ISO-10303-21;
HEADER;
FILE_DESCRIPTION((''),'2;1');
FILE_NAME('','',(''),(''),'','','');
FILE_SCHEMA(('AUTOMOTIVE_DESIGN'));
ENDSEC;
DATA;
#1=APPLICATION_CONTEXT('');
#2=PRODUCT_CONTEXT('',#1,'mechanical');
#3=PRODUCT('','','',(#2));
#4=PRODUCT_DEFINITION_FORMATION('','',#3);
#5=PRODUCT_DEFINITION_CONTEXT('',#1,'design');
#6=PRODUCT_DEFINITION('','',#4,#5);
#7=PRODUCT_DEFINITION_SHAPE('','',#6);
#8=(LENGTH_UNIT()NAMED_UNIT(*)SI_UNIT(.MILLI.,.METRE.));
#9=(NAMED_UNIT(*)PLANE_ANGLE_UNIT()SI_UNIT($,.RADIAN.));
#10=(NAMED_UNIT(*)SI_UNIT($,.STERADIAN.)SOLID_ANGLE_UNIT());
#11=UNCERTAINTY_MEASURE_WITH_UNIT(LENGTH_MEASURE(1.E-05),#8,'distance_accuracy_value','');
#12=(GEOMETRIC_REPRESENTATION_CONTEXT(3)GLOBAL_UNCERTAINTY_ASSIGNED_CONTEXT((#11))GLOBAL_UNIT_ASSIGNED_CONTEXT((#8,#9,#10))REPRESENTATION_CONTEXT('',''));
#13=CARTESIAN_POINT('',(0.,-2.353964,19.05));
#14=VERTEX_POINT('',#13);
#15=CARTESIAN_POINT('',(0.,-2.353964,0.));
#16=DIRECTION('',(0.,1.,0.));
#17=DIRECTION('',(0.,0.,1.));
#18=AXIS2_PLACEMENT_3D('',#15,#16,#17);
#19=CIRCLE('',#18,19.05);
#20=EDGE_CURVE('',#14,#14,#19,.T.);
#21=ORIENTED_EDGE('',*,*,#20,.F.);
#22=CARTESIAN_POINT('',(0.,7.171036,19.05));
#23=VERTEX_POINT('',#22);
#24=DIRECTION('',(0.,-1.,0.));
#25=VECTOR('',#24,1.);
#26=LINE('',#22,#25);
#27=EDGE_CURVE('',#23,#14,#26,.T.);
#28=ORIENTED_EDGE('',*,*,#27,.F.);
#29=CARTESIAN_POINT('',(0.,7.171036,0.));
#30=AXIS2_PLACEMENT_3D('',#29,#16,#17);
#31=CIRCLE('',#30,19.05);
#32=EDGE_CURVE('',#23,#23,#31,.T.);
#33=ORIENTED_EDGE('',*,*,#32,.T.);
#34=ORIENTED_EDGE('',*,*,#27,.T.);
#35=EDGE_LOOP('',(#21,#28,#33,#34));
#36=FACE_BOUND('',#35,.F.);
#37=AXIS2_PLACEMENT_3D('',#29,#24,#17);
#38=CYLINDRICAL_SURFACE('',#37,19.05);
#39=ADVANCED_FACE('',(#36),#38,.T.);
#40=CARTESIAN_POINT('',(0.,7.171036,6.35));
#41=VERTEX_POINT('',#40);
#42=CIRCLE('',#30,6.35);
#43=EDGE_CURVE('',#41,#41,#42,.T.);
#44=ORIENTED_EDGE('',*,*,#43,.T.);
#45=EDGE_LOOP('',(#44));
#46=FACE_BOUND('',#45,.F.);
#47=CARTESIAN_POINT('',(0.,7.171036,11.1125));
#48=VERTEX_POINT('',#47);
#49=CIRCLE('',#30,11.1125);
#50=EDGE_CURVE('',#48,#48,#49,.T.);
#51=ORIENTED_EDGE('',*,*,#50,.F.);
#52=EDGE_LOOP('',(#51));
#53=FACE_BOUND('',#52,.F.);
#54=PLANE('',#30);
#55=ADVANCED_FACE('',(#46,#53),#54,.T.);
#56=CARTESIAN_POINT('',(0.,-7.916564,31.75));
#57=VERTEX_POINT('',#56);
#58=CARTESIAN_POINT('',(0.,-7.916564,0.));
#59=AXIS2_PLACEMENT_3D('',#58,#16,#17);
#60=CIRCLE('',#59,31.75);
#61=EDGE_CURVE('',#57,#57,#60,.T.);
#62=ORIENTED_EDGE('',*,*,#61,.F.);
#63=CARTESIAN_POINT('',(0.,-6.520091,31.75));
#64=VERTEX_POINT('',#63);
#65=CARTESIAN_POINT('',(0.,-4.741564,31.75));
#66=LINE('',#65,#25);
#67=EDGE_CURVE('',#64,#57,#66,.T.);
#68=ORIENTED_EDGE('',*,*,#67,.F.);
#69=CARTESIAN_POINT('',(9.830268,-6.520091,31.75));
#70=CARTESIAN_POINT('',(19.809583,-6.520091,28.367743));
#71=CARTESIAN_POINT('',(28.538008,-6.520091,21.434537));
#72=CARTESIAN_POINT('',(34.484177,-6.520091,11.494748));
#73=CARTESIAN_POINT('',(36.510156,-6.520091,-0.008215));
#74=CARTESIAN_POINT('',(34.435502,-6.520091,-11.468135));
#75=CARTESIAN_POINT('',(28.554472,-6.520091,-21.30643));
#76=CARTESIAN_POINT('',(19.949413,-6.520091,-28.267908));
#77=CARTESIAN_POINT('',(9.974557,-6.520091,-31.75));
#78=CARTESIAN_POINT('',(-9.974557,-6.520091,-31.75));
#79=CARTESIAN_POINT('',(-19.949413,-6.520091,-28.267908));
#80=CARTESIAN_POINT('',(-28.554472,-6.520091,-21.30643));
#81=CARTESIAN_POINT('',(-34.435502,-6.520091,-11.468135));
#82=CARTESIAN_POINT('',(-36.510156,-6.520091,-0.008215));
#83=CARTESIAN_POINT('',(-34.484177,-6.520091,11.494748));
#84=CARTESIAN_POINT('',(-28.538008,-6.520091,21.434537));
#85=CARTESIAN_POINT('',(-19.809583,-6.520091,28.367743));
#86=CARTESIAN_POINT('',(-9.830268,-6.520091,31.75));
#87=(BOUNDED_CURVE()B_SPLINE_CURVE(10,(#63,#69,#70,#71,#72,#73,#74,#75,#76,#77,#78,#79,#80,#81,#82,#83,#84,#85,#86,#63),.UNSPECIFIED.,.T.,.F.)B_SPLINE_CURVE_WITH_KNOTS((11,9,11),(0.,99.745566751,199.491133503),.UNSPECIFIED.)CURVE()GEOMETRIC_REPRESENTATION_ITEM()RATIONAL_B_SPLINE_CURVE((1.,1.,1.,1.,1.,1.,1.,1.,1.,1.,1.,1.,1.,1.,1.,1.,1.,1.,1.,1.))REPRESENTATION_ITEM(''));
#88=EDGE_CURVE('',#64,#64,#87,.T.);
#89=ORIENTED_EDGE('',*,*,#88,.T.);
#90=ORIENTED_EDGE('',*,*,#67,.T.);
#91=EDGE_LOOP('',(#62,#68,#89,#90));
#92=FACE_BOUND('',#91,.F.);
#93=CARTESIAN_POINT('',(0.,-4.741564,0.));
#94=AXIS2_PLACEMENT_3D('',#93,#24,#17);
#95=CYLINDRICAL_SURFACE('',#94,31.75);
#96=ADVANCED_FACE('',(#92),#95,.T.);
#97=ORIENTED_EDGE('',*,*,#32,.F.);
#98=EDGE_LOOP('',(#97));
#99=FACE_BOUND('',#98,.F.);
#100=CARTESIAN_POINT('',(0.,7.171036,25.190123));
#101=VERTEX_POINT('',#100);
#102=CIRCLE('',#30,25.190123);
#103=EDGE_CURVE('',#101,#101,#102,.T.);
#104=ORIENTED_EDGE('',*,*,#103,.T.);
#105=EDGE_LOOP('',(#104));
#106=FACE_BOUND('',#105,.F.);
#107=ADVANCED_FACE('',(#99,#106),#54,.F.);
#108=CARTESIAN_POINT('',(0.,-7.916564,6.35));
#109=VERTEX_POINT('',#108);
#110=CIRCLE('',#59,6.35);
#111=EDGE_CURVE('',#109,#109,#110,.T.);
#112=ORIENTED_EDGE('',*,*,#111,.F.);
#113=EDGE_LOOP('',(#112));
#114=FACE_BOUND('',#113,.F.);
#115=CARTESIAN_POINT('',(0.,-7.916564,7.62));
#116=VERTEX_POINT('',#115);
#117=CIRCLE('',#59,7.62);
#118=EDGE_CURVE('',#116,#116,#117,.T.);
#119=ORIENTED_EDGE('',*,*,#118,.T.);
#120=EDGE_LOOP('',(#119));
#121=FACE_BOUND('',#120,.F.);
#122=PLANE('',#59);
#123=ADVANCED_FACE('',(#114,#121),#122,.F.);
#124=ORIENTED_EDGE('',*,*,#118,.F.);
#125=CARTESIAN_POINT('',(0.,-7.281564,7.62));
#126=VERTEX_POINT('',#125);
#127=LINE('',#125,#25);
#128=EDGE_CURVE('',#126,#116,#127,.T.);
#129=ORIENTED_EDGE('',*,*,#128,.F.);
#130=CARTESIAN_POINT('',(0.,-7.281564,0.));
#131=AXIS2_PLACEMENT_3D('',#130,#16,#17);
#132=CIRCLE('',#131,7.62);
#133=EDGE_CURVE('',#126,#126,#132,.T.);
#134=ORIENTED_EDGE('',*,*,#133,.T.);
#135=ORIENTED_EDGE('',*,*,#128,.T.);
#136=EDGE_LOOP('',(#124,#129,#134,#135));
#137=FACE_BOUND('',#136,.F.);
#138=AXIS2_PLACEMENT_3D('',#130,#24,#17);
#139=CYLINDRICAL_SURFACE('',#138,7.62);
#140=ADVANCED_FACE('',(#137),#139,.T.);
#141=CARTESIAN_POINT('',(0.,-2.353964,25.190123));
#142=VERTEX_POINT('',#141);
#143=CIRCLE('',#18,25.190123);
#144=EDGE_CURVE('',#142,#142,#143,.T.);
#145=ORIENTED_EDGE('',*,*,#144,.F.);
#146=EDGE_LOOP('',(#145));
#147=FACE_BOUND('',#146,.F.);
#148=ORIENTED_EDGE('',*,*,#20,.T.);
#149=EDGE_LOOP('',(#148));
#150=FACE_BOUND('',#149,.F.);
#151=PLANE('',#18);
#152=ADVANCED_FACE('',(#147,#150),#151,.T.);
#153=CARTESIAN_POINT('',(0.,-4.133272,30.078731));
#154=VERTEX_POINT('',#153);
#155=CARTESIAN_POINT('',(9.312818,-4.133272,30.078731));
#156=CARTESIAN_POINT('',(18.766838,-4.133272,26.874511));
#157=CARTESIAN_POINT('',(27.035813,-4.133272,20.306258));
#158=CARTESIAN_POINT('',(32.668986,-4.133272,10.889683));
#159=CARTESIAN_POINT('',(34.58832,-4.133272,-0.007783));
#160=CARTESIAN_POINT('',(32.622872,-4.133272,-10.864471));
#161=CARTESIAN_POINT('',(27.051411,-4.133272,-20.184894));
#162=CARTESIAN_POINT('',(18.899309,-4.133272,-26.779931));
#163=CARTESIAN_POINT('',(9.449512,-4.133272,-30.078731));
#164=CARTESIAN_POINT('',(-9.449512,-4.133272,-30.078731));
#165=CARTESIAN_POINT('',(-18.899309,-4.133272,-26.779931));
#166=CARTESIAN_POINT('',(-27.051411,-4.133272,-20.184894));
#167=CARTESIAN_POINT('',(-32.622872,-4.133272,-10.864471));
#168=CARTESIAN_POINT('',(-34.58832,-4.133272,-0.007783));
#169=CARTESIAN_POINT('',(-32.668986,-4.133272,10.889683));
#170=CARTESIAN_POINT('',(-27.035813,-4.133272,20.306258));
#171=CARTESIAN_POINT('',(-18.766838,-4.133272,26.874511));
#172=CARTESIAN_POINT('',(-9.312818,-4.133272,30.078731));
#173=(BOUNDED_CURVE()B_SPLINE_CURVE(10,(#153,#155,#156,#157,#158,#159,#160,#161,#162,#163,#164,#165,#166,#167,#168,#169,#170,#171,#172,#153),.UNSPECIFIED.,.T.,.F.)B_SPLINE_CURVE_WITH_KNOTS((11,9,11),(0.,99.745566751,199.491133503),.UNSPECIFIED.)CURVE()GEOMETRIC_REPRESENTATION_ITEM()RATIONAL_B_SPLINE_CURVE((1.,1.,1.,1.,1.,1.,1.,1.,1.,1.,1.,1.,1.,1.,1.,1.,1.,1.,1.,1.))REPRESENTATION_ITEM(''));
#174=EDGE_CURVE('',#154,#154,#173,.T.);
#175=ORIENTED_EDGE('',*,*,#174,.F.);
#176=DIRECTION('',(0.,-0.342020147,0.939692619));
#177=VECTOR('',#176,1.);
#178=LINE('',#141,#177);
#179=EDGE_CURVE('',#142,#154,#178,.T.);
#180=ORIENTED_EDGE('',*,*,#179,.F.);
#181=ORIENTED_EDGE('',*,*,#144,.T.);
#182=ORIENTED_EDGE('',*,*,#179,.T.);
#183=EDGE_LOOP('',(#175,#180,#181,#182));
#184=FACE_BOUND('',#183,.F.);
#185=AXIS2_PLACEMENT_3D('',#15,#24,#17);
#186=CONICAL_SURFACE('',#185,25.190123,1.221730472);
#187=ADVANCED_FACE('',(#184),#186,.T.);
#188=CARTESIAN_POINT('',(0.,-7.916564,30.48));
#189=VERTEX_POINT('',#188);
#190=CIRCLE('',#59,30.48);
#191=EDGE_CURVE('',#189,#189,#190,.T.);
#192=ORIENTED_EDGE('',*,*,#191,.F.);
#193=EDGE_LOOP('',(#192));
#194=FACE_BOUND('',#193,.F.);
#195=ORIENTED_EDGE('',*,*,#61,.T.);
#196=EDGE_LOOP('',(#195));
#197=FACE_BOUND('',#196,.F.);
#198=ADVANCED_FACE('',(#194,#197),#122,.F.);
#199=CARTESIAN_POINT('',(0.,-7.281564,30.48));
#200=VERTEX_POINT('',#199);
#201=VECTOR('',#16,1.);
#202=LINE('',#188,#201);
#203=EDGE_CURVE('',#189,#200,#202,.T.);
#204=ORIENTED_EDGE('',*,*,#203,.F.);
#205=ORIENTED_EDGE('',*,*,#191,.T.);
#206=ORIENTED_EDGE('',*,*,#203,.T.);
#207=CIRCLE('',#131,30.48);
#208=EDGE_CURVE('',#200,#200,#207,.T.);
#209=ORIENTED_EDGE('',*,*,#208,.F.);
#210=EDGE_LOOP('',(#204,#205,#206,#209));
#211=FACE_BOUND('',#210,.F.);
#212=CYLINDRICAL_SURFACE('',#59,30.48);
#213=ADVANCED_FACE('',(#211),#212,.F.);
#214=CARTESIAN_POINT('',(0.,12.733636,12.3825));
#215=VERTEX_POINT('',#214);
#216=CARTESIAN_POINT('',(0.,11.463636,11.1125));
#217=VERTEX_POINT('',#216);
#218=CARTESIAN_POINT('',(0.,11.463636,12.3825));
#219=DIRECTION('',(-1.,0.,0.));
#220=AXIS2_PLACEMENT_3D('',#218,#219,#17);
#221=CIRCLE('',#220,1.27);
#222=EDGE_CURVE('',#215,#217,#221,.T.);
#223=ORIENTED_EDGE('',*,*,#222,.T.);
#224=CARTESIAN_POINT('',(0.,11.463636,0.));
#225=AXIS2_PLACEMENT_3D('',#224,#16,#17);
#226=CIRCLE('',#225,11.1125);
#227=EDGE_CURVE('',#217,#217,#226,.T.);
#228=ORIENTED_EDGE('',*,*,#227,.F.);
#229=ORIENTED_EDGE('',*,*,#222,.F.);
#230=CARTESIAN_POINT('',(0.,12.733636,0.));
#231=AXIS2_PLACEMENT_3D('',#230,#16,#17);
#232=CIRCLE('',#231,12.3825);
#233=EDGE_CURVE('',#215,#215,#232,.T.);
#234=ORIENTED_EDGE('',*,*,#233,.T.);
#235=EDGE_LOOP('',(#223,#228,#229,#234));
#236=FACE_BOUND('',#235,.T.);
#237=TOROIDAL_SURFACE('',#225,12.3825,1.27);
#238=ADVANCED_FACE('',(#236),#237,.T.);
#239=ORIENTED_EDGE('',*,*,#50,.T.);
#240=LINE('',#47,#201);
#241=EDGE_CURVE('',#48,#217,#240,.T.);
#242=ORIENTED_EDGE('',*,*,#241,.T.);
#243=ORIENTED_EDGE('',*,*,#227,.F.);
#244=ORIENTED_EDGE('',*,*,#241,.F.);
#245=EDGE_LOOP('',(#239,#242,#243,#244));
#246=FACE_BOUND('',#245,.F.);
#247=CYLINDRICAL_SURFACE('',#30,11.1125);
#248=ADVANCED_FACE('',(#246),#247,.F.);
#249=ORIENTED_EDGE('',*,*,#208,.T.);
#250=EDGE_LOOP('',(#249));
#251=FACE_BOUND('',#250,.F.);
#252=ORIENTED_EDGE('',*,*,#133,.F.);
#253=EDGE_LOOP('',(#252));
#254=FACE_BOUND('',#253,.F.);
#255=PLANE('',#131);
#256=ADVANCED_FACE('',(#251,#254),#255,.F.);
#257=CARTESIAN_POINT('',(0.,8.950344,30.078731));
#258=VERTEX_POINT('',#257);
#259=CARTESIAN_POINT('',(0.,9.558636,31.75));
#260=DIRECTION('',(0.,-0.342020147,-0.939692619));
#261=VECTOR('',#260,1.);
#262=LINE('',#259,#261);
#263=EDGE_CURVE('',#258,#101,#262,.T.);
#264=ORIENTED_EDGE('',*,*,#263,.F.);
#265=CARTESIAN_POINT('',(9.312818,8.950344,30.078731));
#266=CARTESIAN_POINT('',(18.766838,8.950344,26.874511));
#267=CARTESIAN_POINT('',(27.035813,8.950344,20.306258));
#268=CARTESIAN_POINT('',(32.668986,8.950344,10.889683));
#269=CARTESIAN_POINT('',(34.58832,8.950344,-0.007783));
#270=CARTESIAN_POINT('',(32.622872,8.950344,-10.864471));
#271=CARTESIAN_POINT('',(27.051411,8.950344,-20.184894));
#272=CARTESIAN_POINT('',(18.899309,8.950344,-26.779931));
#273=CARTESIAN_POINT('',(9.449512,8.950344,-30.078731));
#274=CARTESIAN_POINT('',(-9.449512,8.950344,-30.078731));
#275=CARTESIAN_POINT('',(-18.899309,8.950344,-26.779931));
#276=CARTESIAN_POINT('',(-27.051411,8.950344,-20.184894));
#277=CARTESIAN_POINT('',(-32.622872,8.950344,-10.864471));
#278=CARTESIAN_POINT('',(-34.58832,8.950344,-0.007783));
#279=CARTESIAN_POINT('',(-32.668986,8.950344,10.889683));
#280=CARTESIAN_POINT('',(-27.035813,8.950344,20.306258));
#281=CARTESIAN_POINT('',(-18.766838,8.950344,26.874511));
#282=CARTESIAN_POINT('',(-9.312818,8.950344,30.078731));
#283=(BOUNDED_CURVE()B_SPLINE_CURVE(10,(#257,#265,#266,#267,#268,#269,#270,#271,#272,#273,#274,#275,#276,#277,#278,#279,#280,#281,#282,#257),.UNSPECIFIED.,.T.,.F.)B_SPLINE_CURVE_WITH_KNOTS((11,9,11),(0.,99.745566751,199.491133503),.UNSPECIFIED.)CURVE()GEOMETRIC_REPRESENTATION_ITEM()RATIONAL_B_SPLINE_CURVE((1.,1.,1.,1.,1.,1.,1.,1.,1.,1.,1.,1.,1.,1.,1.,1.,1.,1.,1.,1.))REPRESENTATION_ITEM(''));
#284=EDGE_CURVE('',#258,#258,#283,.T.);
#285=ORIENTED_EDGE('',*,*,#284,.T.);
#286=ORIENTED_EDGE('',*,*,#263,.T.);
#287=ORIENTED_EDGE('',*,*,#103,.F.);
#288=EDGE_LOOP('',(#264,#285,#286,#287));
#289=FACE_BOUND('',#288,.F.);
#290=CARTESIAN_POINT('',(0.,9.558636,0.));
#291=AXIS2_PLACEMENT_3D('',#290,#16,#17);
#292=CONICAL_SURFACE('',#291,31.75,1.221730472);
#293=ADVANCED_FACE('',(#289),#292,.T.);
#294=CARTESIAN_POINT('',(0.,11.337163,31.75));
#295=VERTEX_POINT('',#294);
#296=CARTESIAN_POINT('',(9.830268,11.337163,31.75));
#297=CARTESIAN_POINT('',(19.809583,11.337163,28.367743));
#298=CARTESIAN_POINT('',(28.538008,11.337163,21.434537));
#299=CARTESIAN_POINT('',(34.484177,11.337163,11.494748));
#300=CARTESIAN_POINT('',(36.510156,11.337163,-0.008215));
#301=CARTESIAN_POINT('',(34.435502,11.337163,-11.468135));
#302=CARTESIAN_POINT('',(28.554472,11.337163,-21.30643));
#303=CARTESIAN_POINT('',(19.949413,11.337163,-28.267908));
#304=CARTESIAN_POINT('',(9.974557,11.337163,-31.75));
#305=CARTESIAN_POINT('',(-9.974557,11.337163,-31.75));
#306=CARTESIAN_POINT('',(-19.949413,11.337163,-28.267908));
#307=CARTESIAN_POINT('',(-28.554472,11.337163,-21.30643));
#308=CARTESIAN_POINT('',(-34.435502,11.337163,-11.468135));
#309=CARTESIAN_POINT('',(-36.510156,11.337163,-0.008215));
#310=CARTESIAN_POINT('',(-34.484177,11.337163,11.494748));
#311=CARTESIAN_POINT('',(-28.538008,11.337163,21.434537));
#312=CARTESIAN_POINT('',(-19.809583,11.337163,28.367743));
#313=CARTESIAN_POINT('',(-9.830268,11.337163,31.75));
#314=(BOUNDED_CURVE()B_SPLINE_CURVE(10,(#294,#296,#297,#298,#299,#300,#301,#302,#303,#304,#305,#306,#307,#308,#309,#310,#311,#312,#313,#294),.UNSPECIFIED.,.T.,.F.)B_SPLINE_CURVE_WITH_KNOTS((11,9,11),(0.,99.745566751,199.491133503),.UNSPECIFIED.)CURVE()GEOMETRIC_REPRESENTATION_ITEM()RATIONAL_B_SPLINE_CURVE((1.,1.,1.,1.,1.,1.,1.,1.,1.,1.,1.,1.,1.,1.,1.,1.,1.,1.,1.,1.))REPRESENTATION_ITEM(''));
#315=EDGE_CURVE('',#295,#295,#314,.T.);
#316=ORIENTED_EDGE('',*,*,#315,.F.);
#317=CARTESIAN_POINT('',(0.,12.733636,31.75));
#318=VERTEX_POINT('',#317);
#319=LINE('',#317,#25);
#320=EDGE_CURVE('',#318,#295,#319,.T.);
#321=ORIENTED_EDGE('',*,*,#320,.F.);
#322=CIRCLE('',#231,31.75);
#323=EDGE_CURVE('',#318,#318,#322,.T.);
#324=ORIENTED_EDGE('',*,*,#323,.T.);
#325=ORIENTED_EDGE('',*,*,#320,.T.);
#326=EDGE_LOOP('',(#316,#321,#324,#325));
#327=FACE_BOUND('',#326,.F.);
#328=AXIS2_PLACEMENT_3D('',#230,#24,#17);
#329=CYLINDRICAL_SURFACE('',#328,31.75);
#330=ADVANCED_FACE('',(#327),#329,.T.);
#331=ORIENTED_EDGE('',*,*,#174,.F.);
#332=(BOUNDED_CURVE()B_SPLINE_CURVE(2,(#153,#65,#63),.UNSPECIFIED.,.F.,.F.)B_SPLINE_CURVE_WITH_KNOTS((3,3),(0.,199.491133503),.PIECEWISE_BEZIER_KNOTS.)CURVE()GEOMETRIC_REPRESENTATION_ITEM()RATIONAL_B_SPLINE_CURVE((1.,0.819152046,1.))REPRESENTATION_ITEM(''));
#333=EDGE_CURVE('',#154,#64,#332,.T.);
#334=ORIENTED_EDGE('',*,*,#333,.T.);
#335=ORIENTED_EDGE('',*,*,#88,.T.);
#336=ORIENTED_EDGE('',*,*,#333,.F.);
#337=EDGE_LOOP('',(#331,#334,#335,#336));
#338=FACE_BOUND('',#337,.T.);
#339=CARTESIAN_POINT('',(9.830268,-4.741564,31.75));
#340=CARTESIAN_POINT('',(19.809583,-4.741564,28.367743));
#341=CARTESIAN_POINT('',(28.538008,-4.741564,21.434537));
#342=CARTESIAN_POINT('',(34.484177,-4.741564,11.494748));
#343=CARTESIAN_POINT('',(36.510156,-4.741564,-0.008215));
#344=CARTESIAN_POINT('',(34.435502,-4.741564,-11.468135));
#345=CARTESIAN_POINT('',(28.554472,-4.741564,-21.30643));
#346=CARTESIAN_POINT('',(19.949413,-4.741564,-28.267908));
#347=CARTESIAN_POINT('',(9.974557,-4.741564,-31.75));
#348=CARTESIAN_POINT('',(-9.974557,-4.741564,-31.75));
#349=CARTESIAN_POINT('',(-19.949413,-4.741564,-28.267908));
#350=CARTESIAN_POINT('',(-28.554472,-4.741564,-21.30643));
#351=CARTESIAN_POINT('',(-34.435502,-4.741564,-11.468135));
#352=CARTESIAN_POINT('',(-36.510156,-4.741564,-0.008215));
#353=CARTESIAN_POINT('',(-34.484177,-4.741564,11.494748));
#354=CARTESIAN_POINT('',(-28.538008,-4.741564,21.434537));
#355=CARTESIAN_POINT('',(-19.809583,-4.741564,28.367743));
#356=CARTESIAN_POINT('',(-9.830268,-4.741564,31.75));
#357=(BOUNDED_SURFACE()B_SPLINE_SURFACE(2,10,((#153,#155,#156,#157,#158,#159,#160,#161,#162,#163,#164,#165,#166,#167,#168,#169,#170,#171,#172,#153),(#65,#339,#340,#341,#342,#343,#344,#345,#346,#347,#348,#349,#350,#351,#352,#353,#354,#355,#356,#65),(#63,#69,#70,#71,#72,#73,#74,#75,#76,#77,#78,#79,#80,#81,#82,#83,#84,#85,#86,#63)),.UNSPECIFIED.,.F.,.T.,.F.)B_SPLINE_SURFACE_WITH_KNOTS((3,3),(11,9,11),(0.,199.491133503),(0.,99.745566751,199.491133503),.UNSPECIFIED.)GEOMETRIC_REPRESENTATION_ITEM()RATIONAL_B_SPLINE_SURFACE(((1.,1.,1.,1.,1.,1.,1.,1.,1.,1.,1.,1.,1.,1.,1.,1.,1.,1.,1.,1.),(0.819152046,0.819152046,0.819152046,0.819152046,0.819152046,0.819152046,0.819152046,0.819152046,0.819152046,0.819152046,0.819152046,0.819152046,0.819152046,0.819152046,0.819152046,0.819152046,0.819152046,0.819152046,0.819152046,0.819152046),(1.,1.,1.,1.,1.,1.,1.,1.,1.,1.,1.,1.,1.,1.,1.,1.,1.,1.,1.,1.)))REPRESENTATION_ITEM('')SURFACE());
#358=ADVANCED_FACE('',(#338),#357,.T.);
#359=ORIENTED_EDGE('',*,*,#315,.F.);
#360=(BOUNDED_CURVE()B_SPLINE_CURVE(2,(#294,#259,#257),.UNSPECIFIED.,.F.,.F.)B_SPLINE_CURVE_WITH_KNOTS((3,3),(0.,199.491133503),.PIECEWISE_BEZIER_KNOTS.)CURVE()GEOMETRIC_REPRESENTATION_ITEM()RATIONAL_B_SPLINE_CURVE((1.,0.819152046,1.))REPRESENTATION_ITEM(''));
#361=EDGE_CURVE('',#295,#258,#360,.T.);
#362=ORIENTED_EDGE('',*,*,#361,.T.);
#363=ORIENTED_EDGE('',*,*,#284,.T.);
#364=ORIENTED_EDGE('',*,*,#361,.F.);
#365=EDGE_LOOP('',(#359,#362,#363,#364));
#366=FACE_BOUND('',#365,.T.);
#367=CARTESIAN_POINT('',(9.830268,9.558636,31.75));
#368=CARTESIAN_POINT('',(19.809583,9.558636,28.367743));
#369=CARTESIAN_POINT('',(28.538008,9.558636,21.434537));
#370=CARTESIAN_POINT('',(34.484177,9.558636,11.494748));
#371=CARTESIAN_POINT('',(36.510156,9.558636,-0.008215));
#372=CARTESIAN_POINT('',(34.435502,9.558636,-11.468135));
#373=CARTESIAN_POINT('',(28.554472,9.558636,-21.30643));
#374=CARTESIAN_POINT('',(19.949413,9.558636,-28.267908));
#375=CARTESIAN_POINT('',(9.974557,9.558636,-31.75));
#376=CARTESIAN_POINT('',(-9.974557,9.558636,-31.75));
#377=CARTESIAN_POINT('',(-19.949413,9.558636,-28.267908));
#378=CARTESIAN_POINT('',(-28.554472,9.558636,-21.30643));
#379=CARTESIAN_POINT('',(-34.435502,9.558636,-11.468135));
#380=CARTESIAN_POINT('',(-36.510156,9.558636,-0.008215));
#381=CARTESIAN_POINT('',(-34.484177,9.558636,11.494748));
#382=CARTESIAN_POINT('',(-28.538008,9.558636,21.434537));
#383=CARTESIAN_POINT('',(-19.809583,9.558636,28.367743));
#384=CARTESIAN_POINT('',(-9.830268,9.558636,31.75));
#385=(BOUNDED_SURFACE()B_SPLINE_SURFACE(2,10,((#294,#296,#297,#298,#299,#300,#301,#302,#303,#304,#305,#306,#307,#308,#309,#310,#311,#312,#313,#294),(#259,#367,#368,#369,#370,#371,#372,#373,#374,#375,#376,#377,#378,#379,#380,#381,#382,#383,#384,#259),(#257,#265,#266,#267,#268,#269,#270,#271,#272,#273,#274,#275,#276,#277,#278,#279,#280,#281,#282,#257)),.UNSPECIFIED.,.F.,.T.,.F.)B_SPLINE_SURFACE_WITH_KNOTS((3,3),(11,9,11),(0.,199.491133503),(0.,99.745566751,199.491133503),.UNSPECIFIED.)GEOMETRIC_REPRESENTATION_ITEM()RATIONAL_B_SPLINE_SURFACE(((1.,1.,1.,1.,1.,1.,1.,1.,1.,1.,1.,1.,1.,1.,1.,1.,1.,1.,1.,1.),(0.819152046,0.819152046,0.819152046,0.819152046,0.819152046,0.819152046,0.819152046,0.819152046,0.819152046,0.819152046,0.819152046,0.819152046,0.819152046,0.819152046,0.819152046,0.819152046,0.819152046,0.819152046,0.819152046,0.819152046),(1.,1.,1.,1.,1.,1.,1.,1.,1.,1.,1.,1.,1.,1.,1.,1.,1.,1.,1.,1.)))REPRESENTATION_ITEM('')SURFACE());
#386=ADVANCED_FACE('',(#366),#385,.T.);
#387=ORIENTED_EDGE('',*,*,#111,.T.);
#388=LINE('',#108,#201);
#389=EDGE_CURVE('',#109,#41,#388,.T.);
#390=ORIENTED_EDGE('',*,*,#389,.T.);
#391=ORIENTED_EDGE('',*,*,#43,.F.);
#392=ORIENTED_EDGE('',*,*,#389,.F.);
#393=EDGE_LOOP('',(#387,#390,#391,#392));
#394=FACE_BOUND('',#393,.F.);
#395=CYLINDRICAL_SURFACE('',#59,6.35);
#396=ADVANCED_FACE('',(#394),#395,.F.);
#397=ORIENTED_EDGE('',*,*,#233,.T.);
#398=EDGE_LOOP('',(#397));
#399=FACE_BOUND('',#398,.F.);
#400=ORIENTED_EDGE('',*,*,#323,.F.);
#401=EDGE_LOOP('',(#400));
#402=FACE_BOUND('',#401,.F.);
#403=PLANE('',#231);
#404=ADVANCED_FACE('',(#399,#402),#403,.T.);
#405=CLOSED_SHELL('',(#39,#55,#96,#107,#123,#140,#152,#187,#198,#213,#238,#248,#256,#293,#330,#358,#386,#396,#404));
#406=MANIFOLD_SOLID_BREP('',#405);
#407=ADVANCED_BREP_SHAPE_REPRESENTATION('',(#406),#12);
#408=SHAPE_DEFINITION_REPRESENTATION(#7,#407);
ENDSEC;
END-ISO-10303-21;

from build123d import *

# Parameters (mm, degrees)
F2_R = 2.54
F3_R = 1.27


with BuildPart() as f1:
    # F0 (on Right) → F1 (revolve)
    with BuildSketch(Plane.YZ):
        Polygon((-7.916564, 6.35), (7.171036, 6.35), (7.171036, 11.1125), (12.733636, 11.1125), (12.733636, 31.75), (9.558636, 31.75), (7.171036, 25.190123), (7.171036, 19.05), (-2.353964, 19.05), (-2.353964, 25.190123), (-4.741564, 31.75), (-7.916564, 31.75), (-7.916564, 30.48), (-7.281564, 30.48), (-7.281564, 7.62), (-7.916564, 7.62), align=None)
    revolve(axis=Axis((0, 2.81315, 0), (0, 1, 0)))

    # F2
    f2_edges = [f1.edges().sort_by_distance(p)[0] for p in [
        (0, 9.558636, -31.75),
        (0, -4.741564, -31.75),
    ]]
    fillet(f2_edges, radius=F2_R)

    # F3
    f3_edges = [f1.edges().sort_by_distance(p)[0] for p in [
        (0, 12.733636, -11.1125),
    ]]
    fillet(f3_edges, radius=F3_R)


solid = f1.part
